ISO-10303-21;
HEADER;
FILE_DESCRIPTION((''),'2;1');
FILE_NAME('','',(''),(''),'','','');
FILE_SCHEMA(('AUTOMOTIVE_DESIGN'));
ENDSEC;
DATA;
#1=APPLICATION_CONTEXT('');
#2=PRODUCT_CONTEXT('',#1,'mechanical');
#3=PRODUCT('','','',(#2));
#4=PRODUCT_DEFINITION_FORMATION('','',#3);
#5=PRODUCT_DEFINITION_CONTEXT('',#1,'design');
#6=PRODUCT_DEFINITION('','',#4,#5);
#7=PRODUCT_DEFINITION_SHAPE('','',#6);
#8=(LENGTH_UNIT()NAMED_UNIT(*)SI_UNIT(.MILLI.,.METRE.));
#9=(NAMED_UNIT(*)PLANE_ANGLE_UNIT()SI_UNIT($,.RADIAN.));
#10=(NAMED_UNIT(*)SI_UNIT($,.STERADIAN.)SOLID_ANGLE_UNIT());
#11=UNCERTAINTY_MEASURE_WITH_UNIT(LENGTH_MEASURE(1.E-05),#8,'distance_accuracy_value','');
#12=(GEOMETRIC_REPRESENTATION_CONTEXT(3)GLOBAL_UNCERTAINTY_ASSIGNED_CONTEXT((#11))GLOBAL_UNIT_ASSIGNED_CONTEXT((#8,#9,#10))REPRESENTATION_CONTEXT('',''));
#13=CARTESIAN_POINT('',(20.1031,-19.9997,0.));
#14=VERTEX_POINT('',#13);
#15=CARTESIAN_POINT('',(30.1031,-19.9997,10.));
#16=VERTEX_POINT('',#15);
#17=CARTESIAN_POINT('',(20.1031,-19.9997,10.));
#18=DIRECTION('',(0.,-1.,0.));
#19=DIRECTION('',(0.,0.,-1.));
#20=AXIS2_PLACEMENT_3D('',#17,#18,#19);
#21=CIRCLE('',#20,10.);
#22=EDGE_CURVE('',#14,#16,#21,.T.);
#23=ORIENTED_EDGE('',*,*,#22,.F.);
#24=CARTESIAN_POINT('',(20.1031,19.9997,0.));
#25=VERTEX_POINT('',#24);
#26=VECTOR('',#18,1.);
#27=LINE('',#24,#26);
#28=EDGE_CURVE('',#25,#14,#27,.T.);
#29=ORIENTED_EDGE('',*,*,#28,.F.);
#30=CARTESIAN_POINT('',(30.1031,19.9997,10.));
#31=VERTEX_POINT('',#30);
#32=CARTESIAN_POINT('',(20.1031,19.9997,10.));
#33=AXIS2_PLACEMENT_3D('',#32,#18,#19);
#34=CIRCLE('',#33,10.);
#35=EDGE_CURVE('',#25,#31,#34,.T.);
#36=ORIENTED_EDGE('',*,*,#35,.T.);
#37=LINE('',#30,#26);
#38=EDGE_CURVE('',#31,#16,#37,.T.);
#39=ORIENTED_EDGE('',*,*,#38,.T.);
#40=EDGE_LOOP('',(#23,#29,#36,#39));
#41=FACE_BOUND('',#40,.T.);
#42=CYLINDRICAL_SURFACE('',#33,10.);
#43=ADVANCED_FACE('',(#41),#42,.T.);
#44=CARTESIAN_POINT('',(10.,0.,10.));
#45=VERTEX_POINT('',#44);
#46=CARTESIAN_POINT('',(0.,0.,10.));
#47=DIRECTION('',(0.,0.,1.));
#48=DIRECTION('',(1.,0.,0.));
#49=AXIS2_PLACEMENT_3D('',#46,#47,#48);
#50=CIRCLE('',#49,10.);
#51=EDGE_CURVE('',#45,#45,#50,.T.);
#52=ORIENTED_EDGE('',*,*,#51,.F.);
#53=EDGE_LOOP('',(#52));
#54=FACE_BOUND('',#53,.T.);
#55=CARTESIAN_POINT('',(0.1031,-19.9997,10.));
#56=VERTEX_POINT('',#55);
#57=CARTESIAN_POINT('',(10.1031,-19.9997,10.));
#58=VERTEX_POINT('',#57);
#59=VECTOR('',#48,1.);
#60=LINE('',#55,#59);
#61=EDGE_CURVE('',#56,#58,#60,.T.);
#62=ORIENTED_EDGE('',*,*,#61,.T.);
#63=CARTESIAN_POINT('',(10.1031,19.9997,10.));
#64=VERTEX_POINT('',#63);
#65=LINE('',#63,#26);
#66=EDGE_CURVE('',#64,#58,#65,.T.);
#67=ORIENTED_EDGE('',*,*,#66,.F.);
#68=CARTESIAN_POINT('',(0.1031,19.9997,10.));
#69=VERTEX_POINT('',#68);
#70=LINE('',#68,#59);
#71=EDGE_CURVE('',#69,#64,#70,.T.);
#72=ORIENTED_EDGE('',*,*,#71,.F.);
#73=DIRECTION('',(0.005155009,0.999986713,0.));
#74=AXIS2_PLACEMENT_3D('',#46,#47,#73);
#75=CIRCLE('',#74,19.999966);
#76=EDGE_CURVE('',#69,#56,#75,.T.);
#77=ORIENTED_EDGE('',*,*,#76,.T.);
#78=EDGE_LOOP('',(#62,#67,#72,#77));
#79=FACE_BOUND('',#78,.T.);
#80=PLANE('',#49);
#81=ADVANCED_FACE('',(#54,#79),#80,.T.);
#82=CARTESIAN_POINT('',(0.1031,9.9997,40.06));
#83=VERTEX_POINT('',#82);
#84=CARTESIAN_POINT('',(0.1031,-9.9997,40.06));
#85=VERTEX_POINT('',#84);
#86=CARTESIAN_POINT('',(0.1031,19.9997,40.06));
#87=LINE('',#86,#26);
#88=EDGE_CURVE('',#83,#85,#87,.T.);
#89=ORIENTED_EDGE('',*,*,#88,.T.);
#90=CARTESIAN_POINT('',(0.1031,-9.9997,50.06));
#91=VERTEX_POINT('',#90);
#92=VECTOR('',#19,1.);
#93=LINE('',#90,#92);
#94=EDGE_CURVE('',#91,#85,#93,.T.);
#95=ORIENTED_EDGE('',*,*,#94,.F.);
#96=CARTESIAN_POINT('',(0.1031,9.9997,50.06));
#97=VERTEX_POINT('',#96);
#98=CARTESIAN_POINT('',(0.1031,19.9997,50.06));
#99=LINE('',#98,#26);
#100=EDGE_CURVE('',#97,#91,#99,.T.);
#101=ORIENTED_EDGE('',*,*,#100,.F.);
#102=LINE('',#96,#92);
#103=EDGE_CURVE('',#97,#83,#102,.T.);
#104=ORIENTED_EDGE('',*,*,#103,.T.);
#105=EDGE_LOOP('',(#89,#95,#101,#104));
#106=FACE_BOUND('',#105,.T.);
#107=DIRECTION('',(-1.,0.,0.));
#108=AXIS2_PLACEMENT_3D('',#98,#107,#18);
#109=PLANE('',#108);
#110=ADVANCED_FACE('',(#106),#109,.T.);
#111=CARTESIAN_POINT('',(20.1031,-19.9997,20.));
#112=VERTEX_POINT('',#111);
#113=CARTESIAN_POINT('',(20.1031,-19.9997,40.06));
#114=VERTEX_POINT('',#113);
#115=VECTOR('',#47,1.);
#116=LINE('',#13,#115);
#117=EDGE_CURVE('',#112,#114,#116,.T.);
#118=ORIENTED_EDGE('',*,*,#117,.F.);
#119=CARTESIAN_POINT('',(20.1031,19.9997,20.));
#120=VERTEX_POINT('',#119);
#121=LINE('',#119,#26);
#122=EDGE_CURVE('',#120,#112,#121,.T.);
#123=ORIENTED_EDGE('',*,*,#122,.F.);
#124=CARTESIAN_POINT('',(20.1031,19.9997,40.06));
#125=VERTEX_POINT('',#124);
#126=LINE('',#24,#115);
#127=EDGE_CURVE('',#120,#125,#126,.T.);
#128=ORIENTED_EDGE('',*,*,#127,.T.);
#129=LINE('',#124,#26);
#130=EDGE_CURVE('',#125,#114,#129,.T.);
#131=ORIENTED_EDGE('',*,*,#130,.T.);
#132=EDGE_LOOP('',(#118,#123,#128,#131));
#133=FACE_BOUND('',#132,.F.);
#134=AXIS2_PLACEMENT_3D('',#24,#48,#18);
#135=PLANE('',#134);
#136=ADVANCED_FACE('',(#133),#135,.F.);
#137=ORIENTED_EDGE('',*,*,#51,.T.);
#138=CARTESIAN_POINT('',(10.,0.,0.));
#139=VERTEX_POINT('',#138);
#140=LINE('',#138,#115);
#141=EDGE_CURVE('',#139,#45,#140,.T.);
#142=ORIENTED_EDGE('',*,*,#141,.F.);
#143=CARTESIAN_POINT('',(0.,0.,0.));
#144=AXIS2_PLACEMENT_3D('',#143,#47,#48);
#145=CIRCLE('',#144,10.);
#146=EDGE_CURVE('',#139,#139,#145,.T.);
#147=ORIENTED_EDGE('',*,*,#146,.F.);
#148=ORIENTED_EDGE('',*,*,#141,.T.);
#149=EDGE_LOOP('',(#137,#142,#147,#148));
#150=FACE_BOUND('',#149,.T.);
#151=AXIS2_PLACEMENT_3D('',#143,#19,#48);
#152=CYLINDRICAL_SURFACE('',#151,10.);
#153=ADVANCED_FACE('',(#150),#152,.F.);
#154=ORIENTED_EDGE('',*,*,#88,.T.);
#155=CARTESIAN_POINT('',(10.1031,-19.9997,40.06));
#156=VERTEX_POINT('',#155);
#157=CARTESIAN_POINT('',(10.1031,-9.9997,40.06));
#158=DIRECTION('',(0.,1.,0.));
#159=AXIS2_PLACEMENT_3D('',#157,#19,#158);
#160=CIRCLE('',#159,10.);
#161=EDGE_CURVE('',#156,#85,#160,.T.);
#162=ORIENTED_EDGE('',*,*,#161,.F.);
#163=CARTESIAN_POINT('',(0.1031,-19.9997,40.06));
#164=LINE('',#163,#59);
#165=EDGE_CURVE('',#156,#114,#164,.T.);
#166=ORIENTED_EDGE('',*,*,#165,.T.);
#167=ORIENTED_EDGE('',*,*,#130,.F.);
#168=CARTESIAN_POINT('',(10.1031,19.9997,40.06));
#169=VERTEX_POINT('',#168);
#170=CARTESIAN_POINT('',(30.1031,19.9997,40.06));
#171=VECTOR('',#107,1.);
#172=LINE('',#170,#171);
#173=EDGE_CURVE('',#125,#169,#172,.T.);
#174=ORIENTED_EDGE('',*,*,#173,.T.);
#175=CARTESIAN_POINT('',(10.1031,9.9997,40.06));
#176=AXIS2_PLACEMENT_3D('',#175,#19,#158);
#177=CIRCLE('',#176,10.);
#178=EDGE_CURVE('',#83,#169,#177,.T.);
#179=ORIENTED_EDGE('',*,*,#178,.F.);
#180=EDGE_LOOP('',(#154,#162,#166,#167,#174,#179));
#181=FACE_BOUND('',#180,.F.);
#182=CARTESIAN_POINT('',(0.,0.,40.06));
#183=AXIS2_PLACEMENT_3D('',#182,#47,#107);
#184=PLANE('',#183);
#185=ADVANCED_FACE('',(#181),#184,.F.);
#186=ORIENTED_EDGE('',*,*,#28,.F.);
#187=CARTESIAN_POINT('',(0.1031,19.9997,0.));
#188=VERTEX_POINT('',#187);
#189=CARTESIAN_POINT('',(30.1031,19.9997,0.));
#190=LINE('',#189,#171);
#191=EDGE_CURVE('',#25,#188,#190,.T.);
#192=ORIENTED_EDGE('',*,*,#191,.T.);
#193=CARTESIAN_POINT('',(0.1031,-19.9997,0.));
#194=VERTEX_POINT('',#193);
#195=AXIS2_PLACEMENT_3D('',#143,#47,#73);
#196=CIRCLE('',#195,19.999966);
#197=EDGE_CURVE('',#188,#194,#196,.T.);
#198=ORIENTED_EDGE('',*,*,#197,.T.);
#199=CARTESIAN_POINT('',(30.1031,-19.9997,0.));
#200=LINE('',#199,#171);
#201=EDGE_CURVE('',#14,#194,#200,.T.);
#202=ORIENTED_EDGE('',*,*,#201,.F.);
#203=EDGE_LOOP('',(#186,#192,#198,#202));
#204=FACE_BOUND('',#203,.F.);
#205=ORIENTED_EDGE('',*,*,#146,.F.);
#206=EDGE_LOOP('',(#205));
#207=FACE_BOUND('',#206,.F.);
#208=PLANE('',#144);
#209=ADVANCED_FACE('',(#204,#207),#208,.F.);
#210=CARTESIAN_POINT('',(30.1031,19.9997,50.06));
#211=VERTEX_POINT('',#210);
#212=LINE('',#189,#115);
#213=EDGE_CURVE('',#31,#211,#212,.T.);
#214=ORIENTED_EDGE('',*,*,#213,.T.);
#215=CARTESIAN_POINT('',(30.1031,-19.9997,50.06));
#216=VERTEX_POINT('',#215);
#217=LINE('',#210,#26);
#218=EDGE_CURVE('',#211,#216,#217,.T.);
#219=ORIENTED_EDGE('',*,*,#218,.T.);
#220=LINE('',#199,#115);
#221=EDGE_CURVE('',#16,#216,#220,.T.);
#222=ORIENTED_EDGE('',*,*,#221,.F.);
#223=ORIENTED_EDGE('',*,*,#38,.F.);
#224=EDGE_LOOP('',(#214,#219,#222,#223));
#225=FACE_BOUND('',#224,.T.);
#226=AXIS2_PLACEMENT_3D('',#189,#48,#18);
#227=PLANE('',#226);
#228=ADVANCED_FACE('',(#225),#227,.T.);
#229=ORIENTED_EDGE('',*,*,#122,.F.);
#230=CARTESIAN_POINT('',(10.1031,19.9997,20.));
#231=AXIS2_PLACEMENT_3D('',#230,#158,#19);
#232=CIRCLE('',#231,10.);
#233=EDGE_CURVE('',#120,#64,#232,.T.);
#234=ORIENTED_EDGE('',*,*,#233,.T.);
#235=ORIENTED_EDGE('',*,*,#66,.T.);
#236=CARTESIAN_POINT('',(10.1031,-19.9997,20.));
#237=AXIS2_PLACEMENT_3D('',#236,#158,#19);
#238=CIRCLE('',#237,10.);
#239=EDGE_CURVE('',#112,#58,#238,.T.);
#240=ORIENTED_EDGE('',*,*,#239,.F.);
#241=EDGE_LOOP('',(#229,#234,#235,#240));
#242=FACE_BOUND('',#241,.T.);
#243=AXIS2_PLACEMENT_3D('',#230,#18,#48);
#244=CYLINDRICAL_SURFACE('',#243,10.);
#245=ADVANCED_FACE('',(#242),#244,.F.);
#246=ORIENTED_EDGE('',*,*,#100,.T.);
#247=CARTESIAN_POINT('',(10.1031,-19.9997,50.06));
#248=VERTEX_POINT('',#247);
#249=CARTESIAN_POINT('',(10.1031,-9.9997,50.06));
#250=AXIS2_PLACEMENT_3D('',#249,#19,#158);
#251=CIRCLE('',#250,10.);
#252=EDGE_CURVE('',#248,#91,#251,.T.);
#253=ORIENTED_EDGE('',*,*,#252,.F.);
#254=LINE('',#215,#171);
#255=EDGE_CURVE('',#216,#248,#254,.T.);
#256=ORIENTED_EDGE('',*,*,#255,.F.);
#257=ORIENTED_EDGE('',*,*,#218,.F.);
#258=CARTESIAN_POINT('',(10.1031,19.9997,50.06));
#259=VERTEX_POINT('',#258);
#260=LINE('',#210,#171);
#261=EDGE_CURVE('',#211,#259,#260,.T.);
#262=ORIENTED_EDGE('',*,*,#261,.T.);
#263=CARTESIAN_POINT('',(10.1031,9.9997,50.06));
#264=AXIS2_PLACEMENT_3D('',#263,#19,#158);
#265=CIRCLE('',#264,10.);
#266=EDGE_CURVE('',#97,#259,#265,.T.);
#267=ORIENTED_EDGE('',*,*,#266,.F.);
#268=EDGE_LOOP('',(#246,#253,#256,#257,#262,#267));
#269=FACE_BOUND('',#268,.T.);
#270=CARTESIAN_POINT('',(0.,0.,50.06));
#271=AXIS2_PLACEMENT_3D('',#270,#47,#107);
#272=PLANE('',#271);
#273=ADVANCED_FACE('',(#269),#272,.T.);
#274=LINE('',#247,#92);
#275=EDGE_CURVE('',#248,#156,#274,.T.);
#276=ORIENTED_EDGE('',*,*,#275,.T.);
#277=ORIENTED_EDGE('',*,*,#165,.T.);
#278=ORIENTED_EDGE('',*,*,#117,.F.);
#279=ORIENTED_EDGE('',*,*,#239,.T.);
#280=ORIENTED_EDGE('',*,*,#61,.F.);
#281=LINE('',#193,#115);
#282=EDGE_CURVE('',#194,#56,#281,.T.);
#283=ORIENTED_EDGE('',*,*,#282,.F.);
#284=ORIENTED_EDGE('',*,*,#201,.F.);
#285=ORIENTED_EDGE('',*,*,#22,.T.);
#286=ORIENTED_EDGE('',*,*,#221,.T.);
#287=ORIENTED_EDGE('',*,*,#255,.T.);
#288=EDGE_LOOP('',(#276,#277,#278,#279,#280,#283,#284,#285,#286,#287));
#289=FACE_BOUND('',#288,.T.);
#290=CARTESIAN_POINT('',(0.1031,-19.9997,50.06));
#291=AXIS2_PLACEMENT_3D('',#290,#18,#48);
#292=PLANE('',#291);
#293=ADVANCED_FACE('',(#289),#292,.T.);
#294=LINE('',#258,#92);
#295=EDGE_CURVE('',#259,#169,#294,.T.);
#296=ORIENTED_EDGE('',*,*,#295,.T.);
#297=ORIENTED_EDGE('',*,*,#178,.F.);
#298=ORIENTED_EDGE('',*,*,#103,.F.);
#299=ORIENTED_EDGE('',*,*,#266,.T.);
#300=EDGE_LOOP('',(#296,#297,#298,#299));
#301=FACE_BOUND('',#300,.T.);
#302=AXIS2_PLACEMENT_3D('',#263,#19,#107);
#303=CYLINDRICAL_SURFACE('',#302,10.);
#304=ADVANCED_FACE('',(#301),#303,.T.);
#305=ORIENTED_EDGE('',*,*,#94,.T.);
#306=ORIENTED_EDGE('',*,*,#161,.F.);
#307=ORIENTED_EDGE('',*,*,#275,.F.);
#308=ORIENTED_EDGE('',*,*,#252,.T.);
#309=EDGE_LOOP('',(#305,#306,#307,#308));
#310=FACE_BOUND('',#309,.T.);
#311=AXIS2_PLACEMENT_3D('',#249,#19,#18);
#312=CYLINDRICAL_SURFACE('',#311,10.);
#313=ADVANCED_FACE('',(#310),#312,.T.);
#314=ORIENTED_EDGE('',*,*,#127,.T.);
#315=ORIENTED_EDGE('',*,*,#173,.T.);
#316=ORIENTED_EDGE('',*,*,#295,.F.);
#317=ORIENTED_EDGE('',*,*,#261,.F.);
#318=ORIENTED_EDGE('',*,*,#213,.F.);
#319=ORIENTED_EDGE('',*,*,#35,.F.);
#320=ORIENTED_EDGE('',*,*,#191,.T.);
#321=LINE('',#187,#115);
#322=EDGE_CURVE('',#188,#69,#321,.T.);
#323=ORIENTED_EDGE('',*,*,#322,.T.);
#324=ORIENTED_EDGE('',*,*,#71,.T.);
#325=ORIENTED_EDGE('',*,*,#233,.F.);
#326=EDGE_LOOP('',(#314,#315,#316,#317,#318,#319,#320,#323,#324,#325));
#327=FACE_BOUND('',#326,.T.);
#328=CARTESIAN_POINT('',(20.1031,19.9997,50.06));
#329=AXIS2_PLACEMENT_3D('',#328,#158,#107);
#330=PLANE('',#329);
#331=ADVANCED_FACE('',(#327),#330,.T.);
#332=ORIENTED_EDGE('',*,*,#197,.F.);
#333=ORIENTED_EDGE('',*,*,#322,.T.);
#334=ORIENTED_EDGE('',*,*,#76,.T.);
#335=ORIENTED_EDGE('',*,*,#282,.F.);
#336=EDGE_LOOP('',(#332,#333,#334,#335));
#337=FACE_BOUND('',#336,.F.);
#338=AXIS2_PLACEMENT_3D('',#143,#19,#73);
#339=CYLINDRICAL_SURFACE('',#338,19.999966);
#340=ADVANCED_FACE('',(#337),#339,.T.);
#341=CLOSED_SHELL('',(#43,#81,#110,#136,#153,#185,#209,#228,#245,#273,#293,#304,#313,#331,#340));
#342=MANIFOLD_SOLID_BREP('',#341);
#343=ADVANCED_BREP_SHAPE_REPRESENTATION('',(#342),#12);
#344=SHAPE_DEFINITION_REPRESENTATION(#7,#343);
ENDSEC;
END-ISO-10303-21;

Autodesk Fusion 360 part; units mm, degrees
sketch "Sketch1" plane through (0, 0, 0) normal (0, 0, 1) x (1, 0, 0) in component "Exercise3"
  circle A0 centre (0, 0) radius 10
  line L0 (0, 0) -> (30, 0) construction
  line L1 (0.1031, 19.9997) -> (30.1031, 19.9997)
  line L2 (0.1031, -19.9997) -> (30.1031, -19.9997)
  line L3 (30.1031, 19.9997) -> (30.1031, -20.0003)
  arc A1 (0.1031, 19.9997) -> (0.1031, -19.9997) centre (0, 0) ccw
  line L4 (20.1031, 19.9997) -> (20.1031, -19.9997)
  dimension "d1" = 20
  dimension "d2" = 40
  dimension "d3" = 30
  dimension "d4" = 30
  dimension "d5" = 30
  dimension "d6" = 40
  dimension "d7" = 10
extrude "Extrude1" add sketch "Sketch1" along normal blind 10 contours L1 L2 A1 L4 in component "Exercise3"
extrude "Extrude2" add sketch "Sketch1" along normal blind 50.06 contours L1 L2 L3 L4 in component "Exercise3"
fillet "Fillet1" radius 10 1 edges at (30.1031, 0, 0) in component "Exercise3"
sketch "Sketch2" plane through (0, 0, 50.06) normal (0, 0, 1) x (-1, 0, 0) in component "Exercise3"
  line L0 (-30.1031, -19.9997) -> (-20.1031, -19.9997)
  line L1 (-20.1031, -19.9997) -> (-20.1031, 19.9997)
  line L2 (-20.1031, 19.9997) -> (-30.1031, 19.9997)
  line L3 (-30.1031, 19.9997) -> (-30.1031, -19.9997)
  line L4 (-30.1031, 0) -> (0, 0) construction
  line L5 (-30.1031, -19.9997) -> (-0.1031, -19.9997)
  line L6 (-0.1031, -19.9997) -> (-0.1031, 19.9997)
  line L7 (-0.1031, 19.9997) -> (-30.1031, 19.9997)
  line L8 (-30.1031, 19.9997) -> (-30.1031, -19.9997)
  dimension "d13" = 30
extrude "Extrude3" add sketch "Sketch2" against normal blind 10 contours L1 L5 L6 L7 in component "Exercise3"
fillet "Fillet2" radius 10 2 edges at (0.1031, -19.9997, 45.06) (0.1031, 19.9997, 45.06) in component "Exercise3"
fillet "Fillet3" radius 10 1 edges at (20.1031, 0, 10) in component "Exercise3"
component "Exercise3" placed x (1, 0, 0) y (0, 1, 0) z (0, 0, 1) at (0, 0, 0)
